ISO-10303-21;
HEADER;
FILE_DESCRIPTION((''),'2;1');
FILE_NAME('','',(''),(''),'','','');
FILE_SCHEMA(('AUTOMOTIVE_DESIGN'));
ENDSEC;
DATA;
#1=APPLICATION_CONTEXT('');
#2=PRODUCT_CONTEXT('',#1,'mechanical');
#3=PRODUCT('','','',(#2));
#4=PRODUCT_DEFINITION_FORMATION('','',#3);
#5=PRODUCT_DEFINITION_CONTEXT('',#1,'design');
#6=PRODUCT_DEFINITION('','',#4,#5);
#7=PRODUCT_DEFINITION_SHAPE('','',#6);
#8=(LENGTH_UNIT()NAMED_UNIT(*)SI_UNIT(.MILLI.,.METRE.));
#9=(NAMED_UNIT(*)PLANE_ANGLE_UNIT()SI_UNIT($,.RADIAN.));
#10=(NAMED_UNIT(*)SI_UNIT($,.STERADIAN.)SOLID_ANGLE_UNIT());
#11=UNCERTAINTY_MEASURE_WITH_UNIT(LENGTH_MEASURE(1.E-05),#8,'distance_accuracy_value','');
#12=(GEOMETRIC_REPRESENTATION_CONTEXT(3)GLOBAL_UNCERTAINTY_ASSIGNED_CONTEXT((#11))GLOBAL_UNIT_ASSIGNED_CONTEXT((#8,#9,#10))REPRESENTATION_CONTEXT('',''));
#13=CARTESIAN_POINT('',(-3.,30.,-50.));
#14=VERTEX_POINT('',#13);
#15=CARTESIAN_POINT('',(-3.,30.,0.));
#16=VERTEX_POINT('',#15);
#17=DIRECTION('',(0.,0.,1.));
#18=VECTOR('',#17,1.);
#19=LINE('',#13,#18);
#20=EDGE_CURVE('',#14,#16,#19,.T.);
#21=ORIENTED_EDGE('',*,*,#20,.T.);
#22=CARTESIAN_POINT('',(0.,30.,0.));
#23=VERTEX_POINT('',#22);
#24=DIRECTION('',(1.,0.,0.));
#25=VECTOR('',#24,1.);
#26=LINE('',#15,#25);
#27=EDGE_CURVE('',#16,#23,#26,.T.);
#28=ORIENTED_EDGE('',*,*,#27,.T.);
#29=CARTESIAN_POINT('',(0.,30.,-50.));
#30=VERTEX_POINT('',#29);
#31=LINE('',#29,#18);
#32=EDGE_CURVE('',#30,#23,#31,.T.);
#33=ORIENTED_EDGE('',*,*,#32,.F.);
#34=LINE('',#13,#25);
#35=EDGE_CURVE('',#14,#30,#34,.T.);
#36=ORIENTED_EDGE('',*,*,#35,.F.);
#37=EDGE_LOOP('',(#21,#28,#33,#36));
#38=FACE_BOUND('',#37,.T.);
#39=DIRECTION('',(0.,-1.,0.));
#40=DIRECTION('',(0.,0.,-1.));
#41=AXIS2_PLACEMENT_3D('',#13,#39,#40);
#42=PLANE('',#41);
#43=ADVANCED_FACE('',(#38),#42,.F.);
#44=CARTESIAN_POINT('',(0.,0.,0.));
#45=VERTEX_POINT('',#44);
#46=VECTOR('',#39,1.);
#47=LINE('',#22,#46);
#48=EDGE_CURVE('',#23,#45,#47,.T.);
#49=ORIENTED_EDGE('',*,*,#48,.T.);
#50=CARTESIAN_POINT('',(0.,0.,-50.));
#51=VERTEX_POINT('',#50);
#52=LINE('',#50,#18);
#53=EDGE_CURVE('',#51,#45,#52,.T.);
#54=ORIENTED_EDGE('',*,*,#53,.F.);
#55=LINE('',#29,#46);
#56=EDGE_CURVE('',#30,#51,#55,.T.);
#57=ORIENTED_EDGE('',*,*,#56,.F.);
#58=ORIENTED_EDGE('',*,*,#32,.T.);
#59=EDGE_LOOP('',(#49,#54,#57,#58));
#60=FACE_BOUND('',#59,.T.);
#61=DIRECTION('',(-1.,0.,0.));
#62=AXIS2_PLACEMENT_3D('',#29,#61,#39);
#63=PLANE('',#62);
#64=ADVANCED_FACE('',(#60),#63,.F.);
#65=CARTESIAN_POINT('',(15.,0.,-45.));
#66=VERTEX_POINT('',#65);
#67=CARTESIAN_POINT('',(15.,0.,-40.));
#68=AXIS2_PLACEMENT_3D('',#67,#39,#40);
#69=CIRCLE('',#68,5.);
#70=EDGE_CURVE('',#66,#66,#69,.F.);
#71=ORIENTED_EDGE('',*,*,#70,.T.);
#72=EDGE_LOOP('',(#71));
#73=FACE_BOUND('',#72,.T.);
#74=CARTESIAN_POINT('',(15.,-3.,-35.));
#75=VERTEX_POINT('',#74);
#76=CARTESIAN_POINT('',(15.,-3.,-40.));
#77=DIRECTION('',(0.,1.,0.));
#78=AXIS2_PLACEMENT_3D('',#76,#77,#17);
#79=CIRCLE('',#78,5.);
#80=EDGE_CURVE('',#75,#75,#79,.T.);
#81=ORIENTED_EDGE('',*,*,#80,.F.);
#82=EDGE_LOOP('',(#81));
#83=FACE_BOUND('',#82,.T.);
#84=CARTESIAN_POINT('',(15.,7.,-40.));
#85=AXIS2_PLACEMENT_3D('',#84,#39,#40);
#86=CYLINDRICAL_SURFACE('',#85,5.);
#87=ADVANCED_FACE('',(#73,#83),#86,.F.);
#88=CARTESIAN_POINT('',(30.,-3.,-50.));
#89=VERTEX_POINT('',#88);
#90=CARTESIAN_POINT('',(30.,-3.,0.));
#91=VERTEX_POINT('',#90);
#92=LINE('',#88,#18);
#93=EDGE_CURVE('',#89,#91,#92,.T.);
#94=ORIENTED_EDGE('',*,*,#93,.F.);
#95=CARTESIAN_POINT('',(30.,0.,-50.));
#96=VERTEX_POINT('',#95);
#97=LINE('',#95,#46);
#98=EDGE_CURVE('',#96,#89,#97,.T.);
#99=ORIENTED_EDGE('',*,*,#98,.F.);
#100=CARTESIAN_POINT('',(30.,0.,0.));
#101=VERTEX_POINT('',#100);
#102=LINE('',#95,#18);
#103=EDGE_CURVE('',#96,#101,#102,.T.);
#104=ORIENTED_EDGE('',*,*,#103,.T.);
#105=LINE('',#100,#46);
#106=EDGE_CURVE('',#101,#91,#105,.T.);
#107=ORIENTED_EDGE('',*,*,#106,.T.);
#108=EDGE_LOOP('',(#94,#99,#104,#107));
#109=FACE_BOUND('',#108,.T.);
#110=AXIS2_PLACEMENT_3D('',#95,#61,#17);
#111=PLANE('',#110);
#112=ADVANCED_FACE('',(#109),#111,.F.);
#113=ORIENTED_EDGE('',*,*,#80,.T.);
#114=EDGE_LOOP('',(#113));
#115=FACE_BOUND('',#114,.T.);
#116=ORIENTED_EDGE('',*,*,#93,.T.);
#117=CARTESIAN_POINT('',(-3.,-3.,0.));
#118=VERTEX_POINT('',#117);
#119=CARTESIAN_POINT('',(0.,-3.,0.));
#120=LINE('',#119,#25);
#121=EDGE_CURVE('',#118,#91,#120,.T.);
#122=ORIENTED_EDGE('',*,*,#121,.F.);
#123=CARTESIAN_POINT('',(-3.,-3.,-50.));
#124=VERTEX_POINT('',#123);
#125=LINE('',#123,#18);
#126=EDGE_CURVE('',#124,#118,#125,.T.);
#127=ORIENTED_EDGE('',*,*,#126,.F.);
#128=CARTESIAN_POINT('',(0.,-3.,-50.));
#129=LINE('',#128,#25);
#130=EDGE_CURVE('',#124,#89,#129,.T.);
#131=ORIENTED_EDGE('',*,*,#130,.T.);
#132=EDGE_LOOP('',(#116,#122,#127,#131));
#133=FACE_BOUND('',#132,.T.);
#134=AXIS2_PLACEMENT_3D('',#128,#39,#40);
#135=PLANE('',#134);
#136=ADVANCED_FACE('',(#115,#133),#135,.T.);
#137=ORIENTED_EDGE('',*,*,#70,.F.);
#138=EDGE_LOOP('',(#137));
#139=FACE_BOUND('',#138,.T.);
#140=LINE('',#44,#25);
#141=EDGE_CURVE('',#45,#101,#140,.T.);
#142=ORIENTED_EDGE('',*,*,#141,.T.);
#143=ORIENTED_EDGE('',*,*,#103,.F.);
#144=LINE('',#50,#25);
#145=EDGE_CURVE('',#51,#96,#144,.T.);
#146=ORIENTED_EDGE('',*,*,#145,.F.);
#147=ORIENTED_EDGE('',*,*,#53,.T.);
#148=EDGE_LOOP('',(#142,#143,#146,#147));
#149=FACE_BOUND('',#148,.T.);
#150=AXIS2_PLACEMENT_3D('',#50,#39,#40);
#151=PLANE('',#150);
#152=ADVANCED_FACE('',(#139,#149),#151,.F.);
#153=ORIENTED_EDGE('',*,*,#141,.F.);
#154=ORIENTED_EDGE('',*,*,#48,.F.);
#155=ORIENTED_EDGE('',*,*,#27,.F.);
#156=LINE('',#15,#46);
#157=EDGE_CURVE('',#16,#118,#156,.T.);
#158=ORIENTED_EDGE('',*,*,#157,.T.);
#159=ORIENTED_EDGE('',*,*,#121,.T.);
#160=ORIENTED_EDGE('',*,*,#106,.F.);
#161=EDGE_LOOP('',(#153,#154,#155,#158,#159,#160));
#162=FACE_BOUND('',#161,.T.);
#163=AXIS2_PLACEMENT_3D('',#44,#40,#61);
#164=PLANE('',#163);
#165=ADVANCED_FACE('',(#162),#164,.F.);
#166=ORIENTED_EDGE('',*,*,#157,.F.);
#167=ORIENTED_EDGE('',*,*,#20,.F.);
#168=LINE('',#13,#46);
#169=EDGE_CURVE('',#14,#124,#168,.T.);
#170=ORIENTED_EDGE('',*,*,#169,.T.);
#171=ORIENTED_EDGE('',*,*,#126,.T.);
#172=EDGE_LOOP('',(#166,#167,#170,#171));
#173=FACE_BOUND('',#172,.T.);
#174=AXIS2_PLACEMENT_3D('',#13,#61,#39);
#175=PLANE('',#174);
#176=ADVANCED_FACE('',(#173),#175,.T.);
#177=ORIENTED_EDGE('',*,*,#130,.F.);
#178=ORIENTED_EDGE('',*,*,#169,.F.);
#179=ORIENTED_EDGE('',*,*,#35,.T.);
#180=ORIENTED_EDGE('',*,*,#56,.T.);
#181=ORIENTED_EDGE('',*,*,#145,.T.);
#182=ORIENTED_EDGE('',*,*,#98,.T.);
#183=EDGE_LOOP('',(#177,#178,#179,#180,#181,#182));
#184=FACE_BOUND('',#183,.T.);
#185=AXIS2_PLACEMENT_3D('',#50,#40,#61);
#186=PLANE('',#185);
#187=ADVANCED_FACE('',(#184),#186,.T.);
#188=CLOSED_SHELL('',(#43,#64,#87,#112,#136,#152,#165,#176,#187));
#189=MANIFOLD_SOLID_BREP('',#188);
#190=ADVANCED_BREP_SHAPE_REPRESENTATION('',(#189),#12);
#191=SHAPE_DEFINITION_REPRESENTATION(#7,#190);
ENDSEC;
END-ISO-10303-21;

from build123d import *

# Parameters (mm, degrees)
EXTRUDE_1_DEPTH     = 50
SKETCH_2_R          = 5
CUT_EXTRUDE_1_DEPTH = 10


with BuildPart() as part:
    # Эскиз1 → Вытянуть-Тонкостенный1 (new body)
    with BuildSketch(Plane.XY):
        Polygon((0, 30), (0, 0), (30, 0), (30, -3), (-3, -3), (-3, 30), align=None)
    extrude(amount=-EXTRUDE_1_DEPTH)

    # Эскиз2 → Вырез-Вытянуть1 (cut)
    with BuildSketch(Plane.ZX.offset(-3)):
        with Locations(Location((-40, 15, 0), (0, 0, 180))):
            Circle(SKETCH_2_R)
    extrude(amount=CUT_EXTRUDE_1_DEPTH, mode=Mode.SUBTRACT)


solid = part.part
